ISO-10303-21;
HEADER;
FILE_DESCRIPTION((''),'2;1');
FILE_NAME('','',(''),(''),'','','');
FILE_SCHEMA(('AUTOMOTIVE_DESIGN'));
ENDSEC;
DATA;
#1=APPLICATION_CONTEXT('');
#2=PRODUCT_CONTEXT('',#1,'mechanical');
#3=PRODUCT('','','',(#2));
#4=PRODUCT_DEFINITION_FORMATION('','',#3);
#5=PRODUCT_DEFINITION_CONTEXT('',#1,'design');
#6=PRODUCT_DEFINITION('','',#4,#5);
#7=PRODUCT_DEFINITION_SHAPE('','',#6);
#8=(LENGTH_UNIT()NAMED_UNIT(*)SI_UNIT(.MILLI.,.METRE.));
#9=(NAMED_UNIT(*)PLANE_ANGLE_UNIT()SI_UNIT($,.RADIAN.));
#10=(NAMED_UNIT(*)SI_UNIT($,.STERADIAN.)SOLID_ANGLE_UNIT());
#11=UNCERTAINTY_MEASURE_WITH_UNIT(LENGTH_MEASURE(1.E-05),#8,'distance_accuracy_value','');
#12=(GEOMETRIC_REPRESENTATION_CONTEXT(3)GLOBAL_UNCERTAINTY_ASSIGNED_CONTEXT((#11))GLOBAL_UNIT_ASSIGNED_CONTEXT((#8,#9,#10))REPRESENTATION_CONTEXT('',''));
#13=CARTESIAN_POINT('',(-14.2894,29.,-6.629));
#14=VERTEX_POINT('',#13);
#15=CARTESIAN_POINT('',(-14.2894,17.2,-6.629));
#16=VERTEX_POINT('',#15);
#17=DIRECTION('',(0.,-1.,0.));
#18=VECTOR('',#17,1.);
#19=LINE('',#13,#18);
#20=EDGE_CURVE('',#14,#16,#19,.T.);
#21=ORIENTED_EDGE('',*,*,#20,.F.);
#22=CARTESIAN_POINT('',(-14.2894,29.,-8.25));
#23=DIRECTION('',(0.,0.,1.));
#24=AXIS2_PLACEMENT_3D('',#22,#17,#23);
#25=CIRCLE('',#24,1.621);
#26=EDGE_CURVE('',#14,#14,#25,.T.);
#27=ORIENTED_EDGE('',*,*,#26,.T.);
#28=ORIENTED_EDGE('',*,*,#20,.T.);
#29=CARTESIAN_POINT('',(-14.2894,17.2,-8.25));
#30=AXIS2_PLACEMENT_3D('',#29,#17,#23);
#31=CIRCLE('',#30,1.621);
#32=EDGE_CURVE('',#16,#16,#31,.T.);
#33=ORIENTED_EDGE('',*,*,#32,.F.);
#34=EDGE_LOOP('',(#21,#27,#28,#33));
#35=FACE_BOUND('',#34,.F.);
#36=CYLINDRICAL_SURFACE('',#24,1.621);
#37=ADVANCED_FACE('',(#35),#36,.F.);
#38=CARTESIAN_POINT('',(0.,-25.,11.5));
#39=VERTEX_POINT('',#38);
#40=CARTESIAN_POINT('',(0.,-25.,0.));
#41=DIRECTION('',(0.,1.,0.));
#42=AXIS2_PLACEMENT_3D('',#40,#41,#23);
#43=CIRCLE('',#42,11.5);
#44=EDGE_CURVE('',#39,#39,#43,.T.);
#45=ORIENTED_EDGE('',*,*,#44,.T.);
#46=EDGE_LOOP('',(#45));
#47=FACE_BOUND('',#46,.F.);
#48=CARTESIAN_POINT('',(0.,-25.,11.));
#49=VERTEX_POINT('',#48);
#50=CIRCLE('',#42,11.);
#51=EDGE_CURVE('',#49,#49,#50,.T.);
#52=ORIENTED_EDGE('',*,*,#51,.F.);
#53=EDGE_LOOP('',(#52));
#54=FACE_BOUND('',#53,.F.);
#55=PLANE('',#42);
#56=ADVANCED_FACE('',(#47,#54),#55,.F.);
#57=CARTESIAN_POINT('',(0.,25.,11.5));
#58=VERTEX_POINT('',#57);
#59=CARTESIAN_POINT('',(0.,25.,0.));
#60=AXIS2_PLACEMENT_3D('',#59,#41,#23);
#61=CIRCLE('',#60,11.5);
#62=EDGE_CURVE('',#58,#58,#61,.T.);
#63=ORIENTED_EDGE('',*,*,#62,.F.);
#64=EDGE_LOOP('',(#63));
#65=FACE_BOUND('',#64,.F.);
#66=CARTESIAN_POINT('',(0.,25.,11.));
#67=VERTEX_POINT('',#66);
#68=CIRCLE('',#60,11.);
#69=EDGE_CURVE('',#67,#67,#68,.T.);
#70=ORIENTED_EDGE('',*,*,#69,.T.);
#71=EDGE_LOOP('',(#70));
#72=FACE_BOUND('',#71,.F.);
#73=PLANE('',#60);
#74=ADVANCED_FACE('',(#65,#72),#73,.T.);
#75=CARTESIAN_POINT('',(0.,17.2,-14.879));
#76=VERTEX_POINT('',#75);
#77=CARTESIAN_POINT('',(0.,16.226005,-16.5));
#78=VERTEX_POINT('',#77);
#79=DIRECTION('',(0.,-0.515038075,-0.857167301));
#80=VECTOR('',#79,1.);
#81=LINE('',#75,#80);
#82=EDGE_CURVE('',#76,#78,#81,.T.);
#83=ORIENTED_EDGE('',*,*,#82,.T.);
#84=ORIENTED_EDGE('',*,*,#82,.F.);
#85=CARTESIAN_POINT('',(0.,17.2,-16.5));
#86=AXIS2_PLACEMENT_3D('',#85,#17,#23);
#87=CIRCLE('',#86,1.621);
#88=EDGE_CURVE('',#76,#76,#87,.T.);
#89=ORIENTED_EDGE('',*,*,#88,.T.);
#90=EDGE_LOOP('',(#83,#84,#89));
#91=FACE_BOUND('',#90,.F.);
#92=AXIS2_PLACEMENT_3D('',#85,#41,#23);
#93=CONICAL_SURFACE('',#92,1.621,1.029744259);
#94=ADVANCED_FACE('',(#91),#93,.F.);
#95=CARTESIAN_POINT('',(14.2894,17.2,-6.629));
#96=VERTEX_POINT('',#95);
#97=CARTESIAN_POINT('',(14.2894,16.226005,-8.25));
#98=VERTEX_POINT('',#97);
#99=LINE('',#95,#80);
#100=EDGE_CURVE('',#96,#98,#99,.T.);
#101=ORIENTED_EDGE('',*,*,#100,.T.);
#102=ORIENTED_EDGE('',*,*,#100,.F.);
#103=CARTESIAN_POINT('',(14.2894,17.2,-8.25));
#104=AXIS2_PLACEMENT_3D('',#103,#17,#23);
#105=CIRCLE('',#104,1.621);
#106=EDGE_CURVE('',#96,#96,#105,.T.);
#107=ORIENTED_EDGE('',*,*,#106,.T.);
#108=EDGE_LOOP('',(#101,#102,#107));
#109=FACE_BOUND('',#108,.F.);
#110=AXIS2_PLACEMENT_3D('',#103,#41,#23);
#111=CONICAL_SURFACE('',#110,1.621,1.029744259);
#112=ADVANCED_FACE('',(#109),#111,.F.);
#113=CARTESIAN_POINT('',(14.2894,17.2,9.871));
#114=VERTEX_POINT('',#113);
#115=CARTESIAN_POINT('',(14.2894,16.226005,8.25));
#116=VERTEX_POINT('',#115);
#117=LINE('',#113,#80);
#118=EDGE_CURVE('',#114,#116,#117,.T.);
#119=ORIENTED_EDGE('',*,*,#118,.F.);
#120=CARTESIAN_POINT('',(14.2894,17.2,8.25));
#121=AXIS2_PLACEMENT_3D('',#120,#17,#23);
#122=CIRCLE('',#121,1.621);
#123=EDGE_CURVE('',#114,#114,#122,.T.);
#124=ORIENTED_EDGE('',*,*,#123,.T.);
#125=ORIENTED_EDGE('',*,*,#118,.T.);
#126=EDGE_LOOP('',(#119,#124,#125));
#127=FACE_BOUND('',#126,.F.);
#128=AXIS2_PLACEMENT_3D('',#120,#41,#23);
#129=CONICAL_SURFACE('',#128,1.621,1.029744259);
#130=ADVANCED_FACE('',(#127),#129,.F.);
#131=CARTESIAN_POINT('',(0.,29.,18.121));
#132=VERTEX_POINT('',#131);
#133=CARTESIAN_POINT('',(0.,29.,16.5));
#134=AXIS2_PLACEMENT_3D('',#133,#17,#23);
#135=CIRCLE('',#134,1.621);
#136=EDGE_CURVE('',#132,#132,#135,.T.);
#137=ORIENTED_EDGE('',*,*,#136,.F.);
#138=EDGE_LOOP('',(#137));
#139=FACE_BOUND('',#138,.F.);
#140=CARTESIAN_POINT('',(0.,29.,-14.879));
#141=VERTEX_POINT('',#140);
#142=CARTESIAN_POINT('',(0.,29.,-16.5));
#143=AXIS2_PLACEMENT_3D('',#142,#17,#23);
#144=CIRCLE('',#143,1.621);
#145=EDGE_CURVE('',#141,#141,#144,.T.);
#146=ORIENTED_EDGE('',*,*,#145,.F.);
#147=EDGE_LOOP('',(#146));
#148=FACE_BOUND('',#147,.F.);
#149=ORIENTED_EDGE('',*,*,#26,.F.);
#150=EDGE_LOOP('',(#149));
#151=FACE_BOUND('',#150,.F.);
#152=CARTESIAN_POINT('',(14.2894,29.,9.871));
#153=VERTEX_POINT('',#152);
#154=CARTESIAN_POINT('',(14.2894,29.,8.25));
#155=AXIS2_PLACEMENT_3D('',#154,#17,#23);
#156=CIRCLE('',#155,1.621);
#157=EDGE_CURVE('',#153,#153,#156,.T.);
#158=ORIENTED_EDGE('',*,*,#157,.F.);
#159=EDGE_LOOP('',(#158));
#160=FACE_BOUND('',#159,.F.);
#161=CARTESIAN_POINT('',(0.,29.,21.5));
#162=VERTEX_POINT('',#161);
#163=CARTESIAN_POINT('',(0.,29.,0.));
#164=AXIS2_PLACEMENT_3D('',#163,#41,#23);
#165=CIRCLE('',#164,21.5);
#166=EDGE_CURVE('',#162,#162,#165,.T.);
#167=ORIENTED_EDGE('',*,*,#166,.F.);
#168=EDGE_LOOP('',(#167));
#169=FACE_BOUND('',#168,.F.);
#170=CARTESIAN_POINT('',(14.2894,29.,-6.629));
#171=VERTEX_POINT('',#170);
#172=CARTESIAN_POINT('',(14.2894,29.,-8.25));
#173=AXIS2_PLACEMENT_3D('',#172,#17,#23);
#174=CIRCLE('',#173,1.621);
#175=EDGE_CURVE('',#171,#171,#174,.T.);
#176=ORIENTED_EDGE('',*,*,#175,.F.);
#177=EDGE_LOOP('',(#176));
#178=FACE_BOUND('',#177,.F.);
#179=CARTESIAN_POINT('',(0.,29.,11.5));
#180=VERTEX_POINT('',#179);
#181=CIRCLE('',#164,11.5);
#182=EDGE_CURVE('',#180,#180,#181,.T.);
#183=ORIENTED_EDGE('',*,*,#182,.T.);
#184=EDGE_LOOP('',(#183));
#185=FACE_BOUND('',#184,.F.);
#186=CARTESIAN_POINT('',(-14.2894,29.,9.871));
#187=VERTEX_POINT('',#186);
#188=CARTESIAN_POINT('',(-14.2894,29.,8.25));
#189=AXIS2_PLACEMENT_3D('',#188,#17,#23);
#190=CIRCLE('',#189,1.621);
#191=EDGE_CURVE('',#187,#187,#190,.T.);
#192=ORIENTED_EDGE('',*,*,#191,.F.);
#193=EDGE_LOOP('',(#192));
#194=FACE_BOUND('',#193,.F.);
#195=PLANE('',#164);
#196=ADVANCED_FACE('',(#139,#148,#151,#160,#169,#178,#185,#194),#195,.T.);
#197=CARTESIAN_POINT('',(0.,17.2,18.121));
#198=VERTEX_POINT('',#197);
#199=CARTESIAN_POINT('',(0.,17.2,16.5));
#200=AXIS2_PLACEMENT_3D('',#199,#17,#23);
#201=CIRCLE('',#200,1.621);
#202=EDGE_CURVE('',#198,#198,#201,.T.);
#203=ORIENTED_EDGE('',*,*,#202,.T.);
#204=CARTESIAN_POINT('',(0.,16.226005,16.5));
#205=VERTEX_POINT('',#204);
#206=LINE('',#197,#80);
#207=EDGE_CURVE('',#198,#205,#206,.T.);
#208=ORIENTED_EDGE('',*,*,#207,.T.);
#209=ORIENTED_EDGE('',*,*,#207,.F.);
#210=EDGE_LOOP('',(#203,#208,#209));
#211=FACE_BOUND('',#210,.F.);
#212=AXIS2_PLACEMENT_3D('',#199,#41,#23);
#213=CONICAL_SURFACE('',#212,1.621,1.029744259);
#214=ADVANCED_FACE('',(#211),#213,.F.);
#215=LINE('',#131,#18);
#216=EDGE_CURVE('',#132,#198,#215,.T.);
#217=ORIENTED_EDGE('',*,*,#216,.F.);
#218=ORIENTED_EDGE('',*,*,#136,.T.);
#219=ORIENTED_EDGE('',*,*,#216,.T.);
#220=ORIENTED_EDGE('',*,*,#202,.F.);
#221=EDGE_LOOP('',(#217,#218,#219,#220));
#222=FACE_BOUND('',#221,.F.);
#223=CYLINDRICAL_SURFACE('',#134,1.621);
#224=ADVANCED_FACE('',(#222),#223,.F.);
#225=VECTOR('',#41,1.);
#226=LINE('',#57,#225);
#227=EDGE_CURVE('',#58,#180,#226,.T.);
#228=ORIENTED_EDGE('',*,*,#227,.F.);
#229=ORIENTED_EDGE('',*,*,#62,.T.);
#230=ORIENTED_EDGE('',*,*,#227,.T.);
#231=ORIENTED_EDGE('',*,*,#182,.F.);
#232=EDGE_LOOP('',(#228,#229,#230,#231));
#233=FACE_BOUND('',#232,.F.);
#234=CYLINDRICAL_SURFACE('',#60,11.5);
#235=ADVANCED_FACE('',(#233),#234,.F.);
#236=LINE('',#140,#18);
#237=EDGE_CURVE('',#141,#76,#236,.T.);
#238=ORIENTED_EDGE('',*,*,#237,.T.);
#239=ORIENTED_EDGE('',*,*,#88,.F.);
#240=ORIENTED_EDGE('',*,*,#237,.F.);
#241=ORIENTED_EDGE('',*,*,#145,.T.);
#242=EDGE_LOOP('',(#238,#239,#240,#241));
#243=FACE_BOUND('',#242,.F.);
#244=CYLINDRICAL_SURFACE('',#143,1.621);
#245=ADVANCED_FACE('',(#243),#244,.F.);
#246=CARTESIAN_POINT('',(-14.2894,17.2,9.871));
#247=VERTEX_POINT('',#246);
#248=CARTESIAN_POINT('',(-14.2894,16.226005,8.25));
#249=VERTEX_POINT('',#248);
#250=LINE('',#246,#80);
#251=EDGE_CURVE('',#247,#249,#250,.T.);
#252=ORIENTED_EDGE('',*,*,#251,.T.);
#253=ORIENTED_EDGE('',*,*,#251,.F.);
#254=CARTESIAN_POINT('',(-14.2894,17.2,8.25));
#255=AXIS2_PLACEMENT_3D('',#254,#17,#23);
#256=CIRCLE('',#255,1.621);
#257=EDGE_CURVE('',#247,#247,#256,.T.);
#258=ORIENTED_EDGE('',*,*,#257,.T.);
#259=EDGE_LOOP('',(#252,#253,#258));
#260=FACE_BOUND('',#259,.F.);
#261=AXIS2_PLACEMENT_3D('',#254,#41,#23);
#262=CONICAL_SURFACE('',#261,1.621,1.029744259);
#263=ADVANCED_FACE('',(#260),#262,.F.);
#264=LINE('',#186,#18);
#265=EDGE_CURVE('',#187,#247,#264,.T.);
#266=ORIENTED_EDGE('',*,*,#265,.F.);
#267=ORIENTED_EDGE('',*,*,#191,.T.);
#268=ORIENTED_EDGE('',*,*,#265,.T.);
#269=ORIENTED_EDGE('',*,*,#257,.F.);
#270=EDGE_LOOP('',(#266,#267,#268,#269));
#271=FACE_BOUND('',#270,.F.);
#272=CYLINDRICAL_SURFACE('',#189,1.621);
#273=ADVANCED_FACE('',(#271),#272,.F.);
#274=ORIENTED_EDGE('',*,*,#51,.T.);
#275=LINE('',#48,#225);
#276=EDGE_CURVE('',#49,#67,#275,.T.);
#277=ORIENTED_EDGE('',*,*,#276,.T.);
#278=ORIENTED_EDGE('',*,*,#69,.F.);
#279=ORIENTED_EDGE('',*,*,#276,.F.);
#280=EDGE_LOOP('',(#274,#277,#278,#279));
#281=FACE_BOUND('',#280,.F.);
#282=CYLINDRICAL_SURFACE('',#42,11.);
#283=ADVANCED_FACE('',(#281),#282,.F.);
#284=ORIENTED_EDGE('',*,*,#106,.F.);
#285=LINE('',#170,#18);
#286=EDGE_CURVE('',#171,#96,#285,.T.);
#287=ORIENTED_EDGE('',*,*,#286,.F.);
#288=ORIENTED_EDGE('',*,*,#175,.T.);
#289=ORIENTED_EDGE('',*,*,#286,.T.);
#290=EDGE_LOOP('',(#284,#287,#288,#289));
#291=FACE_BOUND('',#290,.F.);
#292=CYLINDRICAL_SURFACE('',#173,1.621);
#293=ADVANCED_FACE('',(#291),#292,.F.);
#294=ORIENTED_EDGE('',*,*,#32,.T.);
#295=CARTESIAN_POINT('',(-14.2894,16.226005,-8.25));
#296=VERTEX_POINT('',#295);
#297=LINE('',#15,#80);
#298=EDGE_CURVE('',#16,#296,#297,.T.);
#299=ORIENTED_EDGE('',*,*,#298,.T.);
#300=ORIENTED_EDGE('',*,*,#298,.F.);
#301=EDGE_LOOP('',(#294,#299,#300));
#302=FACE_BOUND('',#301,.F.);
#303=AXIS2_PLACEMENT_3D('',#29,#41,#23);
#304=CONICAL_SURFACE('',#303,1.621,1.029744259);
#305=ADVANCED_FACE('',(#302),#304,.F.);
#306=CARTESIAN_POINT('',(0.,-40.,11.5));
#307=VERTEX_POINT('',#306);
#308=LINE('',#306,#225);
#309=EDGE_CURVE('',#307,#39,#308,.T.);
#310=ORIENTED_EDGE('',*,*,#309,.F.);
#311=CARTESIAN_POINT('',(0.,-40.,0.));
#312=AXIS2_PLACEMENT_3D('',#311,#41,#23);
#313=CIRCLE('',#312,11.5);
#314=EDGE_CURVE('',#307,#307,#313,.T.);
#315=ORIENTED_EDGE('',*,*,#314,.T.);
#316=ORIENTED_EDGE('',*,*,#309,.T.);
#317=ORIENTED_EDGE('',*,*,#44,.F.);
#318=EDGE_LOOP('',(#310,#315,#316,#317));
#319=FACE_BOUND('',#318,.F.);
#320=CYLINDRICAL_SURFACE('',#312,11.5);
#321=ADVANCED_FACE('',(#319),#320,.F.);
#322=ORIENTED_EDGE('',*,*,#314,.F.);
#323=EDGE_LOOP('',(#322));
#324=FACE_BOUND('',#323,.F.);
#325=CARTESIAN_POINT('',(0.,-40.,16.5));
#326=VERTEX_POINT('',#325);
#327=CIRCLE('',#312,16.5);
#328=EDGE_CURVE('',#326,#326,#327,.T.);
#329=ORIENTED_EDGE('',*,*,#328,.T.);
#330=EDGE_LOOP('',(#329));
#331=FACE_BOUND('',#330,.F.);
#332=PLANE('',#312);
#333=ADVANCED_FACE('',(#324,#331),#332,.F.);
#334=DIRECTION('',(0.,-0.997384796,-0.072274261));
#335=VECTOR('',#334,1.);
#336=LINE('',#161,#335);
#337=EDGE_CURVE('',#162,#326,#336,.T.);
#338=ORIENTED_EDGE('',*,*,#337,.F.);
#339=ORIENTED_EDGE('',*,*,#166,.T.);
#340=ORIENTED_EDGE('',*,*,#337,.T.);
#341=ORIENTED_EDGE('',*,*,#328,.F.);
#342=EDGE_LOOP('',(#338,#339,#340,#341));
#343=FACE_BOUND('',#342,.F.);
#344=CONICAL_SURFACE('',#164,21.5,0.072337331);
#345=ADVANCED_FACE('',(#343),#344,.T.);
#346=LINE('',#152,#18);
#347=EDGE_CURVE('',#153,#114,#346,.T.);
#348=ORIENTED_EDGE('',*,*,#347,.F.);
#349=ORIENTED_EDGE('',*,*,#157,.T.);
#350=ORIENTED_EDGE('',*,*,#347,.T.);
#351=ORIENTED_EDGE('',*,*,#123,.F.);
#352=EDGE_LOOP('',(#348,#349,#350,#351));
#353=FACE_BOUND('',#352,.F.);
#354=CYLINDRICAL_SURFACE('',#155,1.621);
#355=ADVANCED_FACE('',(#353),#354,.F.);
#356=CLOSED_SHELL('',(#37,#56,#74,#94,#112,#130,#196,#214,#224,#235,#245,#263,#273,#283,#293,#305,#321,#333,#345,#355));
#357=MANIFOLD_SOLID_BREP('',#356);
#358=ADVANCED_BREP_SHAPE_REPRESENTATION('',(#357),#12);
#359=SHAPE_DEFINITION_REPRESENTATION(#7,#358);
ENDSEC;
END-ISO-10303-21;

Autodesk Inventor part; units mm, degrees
ref_plane "YZ Plane" through (0, 0, 0) normal (1, 0, 0) x (0, 1, 0)
ref_plane "XZ Plane" through (0, 0, 0) normal (0, 1, 0) x (-1, 0, 0)
ref_plane "XY Plane" through (0, 0, 0) normal (0, 0, 1) x (1, 0, 0)
sketch "Sketch3" plane through (0, 0, 0) normal (1, 0, 0) x (0, 1, 0)
  line L0 (-40, 16.5) -> (-40, 11.5)
  line L1 (-40, 11.5) -> (-25, 11.5)
  line L2 (-25, 11.5) -> (-25, 11)
  line L3 (-25, 11) -> (25, 11)
  line L4 (25, 11) -> (25, 11.5)
  line L5 (25, 11.5) -> (29, 11.5)
  line L6 (29, 21.5) -> (-40, 16.5)
  line L7 (-53.8, 0) -> (42.8, 0) projected
  line L8 (29, 11.5) -> (29, 21.5)
  point P0 (0, 0)
  point P1 (0, 11)
  dimension "d1" = 4
  dimension "d2" = 50
  dimension "d6" = 23
  dimension "d7" = 22
  dimension "d8" = 15
  dimension "d9" = 5
  dimension "d10" = 10
revolve "Revolution1" add sketch "Sketch3" angle 360 about axis through (0, -10, 0) along (0, 1, 0)
sketch "Sketch5" plane through (0, 29, 0) normal (0, 1, 0) x (1, 0, 0)
  circle A0 centre (0, 0) radius 21.5 construction
  circle A1 centre (0, 0) radius 11.5 construction
  circle A2 centre (0, 0) radius 16.5 construction
  point P0 (0, -16.5)
  point P1 (14.2894, -8.25)
  point P2 (14.2894, 8.25)
  point P3 (0, 16.5)
  point P4 (-14.2894, 8.25)
  point P5 (-14.2894, -8.25)
  dimension "d25" = 33
  dimension "d28" = 360
hole "Hole1" at (0, 29, 16.5) at (-14.2894, 29, 8.25) at (-14.2894, 29, -8.25) at (0, 29, -16.5) at (14.2894, 29, -8.25) at (14.2894, 29, 8.25) direction (0, -1, 0) diameter 3.242 depth 11.8 tip angle 118 thread size "M4x0.7" class "6H" standard "ISO Metric profile"
properties part number "P023" material "Aluminium"
